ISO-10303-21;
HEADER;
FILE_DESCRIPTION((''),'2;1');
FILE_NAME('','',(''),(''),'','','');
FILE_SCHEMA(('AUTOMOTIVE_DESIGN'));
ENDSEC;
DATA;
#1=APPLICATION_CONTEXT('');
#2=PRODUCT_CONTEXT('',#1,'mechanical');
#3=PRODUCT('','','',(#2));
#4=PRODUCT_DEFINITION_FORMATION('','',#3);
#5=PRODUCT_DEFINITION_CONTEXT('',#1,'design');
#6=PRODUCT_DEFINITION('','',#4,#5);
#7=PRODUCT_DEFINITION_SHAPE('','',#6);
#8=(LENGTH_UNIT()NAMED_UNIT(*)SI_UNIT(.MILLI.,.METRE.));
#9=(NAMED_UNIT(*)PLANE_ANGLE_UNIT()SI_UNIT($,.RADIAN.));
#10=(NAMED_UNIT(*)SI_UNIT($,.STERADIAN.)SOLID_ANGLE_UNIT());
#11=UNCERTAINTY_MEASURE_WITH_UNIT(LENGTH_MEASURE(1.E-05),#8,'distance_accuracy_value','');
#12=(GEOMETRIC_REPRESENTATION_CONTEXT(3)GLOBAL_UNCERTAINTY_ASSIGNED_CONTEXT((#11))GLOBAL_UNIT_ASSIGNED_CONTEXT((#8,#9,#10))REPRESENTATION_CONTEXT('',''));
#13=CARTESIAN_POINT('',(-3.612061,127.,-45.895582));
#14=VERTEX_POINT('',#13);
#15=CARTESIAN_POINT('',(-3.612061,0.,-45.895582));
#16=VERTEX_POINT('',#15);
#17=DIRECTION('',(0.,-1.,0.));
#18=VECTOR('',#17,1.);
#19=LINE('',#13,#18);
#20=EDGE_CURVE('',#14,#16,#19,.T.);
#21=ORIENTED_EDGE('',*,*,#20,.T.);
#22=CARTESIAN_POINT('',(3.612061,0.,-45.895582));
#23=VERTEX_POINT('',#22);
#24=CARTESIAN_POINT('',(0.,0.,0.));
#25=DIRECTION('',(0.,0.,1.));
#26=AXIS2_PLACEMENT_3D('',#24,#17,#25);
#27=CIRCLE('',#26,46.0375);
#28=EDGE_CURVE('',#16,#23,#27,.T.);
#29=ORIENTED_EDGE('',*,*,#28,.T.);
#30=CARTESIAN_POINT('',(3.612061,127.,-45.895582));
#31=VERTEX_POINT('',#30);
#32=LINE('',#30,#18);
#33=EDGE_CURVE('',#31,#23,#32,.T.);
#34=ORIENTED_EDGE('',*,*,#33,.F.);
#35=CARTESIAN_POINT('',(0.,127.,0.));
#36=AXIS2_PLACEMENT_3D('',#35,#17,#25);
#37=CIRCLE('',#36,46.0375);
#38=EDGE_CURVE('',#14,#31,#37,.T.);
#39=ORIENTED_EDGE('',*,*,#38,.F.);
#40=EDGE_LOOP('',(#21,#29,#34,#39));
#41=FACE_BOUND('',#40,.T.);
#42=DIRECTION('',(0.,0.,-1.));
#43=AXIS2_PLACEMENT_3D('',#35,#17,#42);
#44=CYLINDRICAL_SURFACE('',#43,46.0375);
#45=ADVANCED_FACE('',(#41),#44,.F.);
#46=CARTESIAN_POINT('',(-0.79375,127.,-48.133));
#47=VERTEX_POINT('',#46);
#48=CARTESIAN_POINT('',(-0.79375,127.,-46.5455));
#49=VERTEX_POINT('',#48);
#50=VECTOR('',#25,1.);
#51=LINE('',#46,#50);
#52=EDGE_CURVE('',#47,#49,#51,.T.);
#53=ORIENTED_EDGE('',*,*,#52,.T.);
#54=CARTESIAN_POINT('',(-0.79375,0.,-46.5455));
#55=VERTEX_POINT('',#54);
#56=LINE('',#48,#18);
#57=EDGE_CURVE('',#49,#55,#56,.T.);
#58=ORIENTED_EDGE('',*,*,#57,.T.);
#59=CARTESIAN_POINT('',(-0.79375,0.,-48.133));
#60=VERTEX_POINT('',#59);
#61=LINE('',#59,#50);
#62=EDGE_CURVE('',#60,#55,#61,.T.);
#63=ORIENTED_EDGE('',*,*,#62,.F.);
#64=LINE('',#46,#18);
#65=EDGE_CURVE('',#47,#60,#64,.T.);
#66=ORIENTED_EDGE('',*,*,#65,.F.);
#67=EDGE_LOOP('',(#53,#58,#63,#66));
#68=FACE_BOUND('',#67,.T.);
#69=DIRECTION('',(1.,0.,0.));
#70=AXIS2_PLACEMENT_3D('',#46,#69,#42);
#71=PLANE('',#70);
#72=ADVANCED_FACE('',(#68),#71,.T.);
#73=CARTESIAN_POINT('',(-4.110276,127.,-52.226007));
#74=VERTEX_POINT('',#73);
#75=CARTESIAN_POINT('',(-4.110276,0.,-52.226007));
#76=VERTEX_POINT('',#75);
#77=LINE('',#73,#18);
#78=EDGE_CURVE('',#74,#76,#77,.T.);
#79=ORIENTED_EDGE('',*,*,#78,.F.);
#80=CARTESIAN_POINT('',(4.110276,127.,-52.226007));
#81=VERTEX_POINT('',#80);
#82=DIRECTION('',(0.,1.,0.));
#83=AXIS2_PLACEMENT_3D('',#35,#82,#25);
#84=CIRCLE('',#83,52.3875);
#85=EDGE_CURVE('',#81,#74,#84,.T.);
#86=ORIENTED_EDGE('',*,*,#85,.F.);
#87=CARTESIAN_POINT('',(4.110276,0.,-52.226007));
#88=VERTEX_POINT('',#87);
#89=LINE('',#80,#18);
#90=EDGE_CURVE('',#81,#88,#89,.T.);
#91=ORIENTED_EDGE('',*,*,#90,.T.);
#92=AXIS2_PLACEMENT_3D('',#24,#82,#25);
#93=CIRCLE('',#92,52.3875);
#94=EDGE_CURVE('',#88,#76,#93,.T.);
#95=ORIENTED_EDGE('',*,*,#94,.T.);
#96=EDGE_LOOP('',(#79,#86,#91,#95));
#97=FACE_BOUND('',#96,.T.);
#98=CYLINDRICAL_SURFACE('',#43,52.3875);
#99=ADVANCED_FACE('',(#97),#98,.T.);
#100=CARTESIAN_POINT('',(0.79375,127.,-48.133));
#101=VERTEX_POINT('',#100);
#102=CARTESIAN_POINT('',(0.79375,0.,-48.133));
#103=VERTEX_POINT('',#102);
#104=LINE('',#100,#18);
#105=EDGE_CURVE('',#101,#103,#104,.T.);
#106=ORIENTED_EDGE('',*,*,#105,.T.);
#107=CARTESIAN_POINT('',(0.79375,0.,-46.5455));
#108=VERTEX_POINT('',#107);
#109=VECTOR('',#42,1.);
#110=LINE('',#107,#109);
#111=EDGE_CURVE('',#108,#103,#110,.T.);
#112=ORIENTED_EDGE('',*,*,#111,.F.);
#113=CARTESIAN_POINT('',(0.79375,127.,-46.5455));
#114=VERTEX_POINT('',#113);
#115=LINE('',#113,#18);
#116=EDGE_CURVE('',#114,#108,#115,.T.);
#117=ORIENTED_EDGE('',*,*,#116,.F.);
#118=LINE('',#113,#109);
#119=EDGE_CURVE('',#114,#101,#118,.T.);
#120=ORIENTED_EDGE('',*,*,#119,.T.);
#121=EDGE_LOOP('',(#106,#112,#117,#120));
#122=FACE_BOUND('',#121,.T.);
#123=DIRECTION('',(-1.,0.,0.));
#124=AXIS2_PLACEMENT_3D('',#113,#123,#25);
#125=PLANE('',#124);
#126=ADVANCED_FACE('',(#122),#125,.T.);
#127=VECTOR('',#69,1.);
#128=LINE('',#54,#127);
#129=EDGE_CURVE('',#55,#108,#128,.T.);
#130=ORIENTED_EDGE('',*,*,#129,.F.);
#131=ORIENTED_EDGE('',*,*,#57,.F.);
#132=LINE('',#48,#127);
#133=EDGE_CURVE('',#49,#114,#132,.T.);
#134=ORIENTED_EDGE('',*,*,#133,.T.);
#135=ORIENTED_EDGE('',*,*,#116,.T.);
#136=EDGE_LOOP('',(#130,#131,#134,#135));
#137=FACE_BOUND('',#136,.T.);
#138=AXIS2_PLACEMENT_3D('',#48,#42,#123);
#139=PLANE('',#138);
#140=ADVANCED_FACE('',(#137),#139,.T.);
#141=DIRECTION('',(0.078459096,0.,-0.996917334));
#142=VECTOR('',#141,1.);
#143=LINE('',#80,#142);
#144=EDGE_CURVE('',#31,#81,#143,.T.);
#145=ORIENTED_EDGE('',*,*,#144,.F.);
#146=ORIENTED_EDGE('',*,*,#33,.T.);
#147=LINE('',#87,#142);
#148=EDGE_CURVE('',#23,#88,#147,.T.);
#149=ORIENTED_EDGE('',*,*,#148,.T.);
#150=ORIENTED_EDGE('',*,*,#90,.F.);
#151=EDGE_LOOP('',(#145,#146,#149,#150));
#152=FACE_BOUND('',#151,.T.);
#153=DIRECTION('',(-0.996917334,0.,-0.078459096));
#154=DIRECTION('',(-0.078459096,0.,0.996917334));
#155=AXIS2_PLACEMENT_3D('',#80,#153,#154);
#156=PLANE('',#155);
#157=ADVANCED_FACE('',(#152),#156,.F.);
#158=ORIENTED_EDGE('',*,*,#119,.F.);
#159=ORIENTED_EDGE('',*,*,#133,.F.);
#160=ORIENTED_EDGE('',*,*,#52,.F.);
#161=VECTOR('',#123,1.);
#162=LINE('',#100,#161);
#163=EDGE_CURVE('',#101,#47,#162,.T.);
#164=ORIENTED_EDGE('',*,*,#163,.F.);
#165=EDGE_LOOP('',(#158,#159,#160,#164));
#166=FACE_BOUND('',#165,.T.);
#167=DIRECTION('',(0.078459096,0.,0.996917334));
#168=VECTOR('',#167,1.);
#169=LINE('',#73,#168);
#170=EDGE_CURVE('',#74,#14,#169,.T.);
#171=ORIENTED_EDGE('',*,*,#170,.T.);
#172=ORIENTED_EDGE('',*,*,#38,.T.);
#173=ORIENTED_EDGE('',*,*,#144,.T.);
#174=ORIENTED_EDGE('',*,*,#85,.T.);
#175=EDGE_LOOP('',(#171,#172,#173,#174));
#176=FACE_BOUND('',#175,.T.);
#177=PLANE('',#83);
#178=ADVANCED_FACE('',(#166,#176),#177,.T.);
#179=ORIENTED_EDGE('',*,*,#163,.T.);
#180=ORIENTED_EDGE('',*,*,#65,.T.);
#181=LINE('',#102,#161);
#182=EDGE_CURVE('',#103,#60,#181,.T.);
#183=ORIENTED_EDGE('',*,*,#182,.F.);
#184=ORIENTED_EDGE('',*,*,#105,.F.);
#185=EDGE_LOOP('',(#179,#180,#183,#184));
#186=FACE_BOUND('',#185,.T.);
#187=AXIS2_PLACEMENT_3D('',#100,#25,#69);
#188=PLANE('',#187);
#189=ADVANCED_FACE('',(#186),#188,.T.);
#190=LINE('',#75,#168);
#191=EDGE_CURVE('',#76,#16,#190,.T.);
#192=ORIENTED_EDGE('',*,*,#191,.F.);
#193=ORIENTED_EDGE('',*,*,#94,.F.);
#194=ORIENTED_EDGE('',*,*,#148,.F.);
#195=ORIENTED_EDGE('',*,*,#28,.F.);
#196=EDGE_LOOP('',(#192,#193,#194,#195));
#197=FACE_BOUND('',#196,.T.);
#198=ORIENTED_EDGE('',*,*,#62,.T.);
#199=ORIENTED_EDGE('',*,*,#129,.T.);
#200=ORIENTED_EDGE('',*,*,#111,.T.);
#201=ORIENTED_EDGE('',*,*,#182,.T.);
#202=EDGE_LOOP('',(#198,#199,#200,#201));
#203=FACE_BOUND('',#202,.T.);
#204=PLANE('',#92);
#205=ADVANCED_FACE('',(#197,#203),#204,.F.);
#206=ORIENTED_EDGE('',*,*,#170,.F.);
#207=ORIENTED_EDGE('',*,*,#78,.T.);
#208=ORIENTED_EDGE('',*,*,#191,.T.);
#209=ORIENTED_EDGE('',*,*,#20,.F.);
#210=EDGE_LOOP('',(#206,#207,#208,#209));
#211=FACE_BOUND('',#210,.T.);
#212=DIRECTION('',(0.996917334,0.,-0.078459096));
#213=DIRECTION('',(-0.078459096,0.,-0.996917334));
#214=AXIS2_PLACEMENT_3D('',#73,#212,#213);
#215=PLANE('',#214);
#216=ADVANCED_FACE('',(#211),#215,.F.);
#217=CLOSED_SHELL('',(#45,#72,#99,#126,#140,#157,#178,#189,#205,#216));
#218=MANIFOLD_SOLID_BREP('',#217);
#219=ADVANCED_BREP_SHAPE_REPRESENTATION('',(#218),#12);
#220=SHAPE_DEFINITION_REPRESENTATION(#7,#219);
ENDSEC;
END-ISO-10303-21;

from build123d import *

# Parameters (mm, degrees)
SKETCH2_W           = 1.5875
SKETCH2_H           = 1.5875
BOSS_EXTRUDE1_DEPTH = 127


with BuildPart() as part:
    # Sketch2 → Boss-Extrude1 (new body)
    with BuildSketch(Plane(origin=(0, 0, 0), x_dir=(1, 0, 0), z_dir=(0, 1, 0))):
        with BuildLine():
            Line((-4.110275877, 52.226006821), (-3.61206062, 45.895581752))
            ThreePointArc((-3.61206062, 45.895581752), (0, 46.0375), (3.61206062, 45.895581752))
            Line((3.61206062, 45.895581752), (4.110275877, 52.226006821))
            ThreePointArc((4.110275877, 52.226006821), (0, 52.3875), (-4.110275877, 52.226006821))
        make_face()
        with Locations((0, 47.33925)):
            Rectangle(SKETCH2_W, SKETCH2_H, mode=Mode.SUBTRACT)
    extrude(amount=BOSS_EXTRUDE1_DEPTH)


solid = part.part
